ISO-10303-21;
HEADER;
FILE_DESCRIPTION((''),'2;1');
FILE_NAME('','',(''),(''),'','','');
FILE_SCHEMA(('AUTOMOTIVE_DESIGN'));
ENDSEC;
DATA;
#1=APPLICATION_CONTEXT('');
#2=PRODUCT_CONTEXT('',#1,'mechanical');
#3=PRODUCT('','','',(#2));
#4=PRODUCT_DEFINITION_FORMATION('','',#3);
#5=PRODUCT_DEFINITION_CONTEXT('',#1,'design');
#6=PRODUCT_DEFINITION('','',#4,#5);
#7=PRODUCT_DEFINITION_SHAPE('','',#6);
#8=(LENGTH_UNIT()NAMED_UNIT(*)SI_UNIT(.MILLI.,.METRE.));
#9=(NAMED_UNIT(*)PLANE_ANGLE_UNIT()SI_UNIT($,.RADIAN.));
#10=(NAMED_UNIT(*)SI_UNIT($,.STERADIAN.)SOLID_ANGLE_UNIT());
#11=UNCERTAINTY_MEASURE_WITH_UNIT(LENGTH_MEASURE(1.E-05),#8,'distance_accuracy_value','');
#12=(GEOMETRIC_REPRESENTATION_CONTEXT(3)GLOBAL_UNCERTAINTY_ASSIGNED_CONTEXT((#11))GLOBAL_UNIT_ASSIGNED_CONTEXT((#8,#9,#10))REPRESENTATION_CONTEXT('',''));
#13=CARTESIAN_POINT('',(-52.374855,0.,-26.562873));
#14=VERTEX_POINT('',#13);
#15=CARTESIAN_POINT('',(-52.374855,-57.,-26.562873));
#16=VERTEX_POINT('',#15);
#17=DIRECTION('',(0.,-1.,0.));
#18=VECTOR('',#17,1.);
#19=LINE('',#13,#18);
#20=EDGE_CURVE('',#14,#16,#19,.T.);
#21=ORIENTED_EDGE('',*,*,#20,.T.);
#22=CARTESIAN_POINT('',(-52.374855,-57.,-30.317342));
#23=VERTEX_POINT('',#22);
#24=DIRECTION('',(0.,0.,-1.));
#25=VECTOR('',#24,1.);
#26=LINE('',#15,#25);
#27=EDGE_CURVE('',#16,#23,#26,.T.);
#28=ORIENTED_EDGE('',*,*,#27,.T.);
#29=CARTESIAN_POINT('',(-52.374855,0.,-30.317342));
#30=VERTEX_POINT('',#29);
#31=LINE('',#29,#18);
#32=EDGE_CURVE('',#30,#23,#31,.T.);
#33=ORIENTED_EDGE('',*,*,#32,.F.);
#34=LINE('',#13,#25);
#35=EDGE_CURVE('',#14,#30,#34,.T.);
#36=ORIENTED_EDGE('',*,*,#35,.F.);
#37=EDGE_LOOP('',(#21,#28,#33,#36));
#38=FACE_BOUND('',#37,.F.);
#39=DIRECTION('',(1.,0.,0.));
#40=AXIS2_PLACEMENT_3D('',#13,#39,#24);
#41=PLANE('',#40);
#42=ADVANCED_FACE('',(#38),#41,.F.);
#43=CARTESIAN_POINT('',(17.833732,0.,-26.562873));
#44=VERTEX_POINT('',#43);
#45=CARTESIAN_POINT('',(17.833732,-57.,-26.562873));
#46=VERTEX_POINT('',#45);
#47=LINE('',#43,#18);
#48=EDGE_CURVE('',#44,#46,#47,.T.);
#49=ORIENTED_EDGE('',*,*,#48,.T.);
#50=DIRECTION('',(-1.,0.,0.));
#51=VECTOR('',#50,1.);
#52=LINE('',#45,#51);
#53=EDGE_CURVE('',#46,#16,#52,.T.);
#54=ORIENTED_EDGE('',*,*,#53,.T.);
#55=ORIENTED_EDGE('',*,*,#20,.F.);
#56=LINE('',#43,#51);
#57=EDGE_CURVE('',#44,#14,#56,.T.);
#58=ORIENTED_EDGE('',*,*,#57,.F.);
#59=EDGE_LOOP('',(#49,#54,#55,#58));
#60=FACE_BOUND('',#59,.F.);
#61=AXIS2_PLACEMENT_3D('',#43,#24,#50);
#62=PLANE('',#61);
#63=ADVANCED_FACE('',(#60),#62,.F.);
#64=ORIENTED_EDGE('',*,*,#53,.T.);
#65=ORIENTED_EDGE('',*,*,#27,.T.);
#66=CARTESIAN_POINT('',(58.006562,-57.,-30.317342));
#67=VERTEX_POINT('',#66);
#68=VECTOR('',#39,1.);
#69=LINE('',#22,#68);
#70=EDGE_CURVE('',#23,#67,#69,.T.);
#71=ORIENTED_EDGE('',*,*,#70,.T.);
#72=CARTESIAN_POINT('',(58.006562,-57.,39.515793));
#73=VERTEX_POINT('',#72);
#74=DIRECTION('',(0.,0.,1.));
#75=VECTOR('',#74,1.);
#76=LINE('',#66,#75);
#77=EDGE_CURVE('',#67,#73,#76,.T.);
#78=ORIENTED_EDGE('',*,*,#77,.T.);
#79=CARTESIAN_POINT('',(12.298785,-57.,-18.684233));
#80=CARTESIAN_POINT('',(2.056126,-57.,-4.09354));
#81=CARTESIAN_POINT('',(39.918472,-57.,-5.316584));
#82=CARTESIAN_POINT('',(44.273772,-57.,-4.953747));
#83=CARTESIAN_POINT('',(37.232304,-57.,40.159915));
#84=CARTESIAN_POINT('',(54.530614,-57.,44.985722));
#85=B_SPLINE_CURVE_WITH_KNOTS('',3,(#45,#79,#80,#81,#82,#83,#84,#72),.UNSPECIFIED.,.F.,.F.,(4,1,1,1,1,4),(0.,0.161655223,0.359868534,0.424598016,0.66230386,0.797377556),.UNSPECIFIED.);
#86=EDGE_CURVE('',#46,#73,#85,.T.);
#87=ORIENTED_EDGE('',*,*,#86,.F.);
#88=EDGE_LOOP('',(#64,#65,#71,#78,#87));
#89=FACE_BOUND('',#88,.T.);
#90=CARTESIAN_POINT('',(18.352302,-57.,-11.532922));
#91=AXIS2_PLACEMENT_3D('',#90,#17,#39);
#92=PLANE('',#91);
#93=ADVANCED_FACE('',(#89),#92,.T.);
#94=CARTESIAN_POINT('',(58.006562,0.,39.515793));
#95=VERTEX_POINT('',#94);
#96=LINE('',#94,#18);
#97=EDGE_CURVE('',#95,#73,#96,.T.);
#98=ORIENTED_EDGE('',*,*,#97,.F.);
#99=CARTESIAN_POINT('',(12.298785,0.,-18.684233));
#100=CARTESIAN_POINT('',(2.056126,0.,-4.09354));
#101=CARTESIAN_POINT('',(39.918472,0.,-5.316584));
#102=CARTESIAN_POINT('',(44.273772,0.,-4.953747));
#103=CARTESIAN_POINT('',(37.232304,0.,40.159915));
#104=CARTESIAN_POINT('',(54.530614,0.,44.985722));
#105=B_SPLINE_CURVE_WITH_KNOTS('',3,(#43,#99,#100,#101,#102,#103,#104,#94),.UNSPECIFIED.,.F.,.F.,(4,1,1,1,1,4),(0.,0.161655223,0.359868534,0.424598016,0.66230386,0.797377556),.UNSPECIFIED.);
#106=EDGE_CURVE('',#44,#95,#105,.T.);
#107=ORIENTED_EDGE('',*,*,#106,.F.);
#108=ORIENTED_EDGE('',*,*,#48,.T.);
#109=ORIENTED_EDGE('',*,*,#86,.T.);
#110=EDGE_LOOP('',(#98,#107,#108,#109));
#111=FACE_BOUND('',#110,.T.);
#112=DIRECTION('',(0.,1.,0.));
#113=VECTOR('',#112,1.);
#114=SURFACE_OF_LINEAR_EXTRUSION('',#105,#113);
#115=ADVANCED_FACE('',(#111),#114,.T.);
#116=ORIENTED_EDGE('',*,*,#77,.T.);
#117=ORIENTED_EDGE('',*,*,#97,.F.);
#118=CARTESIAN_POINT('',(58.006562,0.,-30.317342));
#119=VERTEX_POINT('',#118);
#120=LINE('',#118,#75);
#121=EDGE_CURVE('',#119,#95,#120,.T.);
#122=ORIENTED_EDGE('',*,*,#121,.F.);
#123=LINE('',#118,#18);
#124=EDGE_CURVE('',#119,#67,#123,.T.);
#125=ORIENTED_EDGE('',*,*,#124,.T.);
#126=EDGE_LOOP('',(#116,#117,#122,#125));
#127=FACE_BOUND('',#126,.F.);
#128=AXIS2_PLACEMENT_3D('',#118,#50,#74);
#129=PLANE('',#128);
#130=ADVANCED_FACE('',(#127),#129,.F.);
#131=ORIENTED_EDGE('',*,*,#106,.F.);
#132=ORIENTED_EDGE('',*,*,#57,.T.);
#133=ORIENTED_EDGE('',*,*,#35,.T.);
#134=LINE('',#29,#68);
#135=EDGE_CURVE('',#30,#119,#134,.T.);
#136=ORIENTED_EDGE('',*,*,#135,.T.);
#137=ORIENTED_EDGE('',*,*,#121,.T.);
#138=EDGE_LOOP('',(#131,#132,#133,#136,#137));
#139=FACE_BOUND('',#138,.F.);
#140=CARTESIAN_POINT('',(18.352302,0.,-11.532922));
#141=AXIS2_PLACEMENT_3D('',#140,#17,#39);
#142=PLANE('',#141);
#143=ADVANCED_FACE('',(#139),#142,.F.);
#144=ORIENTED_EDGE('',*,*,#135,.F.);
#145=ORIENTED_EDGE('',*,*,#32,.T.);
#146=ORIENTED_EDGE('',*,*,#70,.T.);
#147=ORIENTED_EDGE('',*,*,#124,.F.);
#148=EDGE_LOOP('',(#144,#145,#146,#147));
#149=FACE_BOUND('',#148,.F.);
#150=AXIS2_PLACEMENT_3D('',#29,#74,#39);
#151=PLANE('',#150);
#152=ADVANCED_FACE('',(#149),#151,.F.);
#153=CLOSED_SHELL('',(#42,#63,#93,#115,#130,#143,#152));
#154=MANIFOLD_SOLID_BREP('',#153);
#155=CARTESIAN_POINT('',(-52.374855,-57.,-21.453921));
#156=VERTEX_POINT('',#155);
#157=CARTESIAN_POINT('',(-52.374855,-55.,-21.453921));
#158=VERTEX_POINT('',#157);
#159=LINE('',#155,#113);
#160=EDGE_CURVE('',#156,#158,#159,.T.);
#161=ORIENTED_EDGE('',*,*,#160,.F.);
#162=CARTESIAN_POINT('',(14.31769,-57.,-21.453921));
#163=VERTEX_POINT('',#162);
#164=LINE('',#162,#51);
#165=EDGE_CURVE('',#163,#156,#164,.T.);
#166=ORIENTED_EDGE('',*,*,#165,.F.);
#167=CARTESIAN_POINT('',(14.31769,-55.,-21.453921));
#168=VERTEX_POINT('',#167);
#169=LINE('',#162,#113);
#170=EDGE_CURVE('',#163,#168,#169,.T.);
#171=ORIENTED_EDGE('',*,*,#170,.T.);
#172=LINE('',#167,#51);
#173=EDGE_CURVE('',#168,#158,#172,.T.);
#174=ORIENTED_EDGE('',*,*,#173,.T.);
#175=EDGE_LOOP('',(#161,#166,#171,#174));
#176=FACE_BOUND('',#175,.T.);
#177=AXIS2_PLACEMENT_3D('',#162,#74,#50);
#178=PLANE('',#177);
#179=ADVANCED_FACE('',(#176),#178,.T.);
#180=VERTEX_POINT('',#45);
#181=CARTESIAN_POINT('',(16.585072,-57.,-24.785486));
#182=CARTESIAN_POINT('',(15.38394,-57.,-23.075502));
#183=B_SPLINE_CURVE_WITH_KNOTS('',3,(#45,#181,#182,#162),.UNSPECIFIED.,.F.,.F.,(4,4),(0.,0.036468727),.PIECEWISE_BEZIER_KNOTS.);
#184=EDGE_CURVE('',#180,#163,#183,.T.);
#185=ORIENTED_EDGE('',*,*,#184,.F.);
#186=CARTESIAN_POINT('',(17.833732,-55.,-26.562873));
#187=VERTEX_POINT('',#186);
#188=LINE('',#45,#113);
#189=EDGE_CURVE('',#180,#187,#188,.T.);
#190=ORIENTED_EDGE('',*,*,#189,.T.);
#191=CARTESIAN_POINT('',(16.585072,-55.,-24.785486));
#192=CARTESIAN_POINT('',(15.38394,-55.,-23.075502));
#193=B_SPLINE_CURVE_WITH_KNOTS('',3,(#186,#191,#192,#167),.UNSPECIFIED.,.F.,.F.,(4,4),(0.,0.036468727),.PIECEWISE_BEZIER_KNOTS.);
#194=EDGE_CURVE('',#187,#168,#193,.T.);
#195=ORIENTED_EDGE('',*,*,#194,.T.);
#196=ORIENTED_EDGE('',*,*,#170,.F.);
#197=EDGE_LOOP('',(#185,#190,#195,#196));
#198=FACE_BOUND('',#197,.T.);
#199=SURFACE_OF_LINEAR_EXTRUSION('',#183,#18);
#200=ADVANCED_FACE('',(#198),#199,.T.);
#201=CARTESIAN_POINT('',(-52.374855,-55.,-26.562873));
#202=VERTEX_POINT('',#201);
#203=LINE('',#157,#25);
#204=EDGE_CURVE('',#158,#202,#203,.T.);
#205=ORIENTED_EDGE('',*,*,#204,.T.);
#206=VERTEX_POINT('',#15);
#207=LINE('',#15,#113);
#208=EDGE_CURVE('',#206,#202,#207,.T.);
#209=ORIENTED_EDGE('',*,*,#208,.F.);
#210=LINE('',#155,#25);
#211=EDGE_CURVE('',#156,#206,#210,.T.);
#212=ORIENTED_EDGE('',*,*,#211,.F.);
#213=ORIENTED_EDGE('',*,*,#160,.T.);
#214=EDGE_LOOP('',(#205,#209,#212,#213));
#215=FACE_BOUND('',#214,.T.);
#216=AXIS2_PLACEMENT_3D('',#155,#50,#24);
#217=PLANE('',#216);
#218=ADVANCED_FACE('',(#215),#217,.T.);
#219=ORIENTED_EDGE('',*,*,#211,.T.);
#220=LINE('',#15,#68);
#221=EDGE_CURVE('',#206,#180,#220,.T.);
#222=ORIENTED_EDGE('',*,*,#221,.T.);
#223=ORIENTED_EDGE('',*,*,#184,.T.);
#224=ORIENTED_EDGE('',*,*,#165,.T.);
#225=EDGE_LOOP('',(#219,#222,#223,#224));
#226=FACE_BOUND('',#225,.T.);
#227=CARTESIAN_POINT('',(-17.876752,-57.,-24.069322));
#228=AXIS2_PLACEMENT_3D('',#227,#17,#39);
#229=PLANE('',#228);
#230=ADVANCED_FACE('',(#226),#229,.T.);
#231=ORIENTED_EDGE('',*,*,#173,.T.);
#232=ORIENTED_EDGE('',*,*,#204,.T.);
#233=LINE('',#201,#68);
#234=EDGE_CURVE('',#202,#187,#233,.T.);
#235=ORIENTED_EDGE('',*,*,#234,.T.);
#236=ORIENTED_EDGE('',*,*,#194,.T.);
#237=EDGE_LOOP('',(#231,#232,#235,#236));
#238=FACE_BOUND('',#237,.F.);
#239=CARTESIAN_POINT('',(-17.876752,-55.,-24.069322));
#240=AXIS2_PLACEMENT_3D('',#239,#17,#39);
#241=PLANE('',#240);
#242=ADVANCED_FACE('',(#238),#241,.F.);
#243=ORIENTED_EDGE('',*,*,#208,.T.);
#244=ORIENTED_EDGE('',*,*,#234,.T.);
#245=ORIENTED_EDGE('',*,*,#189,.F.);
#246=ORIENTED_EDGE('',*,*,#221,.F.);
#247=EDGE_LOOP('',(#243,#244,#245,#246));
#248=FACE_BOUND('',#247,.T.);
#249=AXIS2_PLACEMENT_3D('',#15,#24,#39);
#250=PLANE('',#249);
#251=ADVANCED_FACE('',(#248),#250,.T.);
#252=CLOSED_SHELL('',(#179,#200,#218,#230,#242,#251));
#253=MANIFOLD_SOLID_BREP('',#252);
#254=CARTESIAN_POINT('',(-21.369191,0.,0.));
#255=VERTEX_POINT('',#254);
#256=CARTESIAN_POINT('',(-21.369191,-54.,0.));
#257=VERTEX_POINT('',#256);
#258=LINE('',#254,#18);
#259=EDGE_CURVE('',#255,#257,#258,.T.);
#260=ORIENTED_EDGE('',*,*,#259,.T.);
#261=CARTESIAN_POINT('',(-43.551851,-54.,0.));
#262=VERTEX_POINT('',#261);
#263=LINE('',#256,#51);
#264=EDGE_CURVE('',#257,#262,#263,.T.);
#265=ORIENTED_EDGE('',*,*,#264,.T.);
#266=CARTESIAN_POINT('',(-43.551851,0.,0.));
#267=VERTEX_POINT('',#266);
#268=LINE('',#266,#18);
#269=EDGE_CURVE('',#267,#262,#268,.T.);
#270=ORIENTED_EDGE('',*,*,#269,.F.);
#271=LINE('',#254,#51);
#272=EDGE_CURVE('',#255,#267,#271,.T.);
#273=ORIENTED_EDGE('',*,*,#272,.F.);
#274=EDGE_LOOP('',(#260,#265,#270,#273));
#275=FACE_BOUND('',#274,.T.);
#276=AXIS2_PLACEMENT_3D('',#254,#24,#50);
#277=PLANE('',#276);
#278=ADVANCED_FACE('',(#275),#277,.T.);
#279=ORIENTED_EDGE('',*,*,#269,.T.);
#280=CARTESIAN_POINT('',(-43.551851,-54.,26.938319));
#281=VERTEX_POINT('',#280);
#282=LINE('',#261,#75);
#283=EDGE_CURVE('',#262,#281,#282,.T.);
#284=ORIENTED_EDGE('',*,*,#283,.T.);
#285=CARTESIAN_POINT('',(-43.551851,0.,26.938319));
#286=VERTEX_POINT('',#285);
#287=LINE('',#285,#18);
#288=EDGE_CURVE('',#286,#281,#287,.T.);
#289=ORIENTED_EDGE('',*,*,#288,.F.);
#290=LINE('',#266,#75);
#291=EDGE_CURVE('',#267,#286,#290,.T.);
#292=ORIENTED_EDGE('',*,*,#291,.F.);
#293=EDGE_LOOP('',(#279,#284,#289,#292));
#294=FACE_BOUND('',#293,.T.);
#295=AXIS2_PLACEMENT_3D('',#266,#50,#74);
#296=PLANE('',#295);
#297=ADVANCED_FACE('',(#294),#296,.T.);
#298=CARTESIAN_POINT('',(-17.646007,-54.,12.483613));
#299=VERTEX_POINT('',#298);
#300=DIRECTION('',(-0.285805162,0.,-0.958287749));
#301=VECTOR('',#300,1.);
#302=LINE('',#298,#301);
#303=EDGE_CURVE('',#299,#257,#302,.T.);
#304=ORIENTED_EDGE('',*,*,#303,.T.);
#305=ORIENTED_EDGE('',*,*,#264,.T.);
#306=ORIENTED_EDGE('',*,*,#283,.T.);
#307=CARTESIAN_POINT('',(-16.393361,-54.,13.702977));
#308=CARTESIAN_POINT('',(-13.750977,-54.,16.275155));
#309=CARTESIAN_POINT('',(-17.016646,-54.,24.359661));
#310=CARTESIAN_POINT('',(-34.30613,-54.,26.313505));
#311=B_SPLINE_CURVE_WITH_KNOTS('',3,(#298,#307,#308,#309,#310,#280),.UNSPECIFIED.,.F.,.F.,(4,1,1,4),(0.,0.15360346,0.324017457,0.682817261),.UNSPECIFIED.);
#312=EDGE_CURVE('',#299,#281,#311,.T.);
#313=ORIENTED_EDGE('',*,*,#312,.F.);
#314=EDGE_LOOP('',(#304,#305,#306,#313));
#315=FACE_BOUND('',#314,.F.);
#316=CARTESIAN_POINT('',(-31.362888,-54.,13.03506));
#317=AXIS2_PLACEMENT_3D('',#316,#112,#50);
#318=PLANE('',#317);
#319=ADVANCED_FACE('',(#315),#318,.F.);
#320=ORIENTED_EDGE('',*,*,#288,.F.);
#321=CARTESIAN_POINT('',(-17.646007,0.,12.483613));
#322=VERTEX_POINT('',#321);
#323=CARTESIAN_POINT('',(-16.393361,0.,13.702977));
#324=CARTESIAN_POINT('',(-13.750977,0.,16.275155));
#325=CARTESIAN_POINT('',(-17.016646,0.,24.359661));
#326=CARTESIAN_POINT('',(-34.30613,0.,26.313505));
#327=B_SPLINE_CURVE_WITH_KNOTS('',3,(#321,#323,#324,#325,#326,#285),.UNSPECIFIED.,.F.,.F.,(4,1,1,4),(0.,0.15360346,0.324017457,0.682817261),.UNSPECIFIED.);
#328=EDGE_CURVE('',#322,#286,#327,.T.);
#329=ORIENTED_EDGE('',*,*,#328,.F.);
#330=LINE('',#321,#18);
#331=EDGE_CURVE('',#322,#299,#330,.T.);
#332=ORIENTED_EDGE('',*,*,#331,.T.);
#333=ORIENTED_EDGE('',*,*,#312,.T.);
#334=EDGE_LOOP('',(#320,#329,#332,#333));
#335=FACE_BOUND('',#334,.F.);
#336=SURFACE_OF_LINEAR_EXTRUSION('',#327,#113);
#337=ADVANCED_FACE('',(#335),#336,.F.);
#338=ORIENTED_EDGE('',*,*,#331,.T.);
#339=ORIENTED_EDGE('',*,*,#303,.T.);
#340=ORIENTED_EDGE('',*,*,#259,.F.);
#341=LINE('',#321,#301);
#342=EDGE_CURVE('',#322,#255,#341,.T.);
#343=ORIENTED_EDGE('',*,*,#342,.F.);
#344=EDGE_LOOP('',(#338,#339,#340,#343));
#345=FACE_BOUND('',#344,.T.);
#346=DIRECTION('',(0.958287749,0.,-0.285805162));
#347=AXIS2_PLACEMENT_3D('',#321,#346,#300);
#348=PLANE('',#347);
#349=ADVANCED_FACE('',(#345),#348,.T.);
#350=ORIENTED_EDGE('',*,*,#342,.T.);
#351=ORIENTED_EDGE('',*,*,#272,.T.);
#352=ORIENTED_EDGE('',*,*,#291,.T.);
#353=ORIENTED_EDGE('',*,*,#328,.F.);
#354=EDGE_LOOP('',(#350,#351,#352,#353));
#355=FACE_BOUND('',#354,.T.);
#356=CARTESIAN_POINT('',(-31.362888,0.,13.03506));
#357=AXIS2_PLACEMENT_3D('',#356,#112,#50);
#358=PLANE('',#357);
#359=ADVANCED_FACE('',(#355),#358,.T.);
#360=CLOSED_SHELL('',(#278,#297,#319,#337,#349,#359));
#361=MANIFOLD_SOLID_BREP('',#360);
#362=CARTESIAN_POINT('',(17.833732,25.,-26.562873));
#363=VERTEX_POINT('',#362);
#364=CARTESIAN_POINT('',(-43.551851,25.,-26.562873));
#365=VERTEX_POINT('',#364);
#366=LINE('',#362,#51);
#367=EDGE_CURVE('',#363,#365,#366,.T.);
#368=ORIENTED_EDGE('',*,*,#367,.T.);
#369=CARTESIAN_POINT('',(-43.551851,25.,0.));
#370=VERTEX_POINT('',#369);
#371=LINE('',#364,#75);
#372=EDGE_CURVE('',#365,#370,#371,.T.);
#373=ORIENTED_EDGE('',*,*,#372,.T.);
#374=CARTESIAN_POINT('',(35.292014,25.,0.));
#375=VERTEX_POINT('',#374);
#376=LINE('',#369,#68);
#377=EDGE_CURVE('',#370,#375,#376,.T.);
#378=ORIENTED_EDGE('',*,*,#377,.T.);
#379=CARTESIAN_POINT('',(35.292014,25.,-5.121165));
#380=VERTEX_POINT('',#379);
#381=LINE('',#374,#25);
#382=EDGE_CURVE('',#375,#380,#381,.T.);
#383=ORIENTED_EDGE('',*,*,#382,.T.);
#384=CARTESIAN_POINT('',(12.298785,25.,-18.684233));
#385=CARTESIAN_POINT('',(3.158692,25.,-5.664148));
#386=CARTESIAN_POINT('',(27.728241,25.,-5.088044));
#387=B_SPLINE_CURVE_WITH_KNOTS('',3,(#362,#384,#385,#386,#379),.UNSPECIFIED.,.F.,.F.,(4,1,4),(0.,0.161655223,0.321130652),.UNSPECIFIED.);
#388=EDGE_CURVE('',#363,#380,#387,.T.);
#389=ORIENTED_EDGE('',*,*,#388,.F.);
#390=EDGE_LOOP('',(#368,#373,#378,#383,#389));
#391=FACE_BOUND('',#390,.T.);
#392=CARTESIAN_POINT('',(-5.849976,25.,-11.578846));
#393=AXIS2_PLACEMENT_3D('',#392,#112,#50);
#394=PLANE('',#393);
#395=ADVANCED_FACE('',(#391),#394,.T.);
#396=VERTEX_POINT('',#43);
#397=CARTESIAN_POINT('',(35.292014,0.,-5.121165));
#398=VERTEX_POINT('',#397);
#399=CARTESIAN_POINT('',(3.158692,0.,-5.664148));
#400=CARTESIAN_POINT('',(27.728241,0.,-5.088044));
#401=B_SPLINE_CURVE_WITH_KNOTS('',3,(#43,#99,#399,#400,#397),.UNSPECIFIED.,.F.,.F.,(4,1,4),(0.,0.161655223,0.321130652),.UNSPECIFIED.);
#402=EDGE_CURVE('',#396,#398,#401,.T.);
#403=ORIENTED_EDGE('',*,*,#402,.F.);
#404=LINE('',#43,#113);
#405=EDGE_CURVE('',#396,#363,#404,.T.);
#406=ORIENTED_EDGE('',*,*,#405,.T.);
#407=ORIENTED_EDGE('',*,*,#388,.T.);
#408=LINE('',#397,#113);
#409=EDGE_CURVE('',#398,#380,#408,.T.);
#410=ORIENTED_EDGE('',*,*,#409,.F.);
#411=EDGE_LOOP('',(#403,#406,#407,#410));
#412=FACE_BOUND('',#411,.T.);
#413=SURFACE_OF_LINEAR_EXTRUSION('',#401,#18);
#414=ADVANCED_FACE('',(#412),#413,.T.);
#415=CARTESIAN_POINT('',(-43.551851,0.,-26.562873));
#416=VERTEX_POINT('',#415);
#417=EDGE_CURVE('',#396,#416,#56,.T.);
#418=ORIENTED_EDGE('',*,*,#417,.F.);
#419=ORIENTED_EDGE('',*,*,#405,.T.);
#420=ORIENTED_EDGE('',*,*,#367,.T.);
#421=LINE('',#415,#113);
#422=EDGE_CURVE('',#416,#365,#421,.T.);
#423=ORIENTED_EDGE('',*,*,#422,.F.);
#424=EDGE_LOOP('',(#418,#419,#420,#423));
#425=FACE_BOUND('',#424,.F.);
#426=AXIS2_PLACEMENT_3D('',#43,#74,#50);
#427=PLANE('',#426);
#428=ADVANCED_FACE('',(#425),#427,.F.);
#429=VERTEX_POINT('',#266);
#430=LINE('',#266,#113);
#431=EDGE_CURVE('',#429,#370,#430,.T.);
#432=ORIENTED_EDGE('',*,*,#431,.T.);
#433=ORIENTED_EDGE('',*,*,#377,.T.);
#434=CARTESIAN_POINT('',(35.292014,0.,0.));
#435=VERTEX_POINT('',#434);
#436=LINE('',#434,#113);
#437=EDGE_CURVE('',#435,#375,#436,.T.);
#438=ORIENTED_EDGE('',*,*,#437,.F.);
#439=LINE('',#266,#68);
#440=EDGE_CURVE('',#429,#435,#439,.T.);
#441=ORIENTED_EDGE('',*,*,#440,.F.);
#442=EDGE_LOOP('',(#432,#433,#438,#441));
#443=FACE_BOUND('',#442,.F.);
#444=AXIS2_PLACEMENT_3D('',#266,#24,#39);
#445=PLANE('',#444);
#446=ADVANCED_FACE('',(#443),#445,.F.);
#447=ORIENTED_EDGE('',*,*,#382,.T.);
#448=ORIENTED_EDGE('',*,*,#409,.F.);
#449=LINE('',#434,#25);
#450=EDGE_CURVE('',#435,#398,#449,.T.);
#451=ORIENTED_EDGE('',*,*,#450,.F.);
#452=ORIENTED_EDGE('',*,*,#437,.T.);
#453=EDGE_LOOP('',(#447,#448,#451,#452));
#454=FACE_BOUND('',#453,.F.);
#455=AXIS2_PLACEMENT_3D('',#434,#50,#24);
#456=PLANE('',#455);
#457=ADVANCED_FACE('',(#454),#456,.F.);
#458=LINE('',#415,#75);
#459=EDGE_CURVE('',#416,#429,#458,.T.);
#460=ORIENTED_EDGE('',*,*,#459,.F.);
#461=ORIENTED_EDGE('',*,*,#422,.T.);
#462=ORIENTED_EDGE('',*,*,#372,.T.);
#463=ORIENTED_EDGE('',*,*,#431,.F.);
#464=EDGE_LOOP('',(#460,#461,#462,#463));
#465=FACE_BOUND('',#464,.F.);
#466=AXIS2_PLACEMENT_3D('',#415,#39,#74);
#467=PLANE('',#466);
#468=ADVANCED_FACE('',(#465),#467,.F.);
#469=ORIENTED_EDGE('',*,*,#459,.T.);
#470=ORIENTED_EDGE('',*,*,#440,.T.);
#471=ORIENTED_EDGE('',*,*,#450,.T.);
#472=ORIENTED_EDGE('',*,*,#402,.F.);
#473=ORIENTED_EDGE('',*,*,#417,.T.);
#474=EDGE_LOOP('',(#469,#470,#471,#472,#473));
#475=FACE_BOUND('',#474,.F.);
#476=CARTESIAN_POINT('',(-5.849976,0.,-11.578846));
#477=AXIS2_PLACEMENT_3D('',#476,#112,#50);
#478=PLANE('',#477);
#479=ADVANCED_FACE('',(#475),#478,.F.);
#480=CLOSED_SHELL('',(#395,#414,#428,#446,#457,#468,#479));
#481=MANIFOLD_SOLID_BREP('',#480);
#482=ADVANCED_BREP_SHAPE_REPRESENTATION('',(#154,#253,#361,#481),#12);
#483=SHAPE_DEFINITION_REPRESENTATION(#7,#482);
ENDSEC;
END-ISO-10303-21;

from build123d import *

# Parameters (mm, degrees)
F1_DEPTH = 57
F3_DEPTH = 25
F4_DEPTH = 54
F6_DEPTH = 2


with BuildPart() as f1:
    # F0 (on Front) → F1 (new body)
    with BuildSketch(Plane.XZ):
        with BuildLine():
            Line((-52.3748546839, -26.5628732741), (-52.3748546839, -30.3173419088))
            Line((-52.3748546839, -30.3173419088), (58.0065622926, -30.3173419088))
            Line((58.0065622926, -30.3173419088), (58.0065622926, 9.8554827273))
            Line((58.0065622926, 9.8554827273), (58.0065622926, 39.5157933235))
            add(Edge.make_bspline(
                [(17.8337320685, -26.5628732741), (12.2987850228, -18.6842330707), (2.0561256493, -4.0935398057), (39.9184715576, -5.3165841483), (44.2737718214, -4.953746865), (37.2323042761, 40.1599145958), (54.5306136351, 44.9857218694), (58.0065622926, 39.5157933235)],
                knots=[0, 0, 0, 0, 0.1616552234, 0.3598685336, 0.4245980156, 0.6623038598, 0.7973775563, 0.7973775563, 0.7973775563, 0.7973775563], degree=3))
            Line((17.8337320685, -26.5628732741), (-52.3748546839, -26.5628732741))
        make_face()
    extrude(amount=F1_DEPTH)


with BuildPart() as f3:
    # F2 (on face) → F3 (new body)
    with BuildSketch(Plane(origin=(0, 0, 0), x_dir=(-1, 0, 0), z_dir=(0, 1, 0))):
        with BuildLine():
            Line((-35.2920144796, 0), (-35.2920144796, -5.1211647892))
            add(Edge.make_bspline(
                [(-17.8337320685, -26.5628732741), (-12.2987850228, -18.6842330707), (-3.158691971, -5.6641482207), (-27.7282411082, -5.0880441426), (-35.2920144796, -5.1211647892)],
                knots=[0, 0, 0, 0, 0.1616552234, 0.321130652, 0.321130652, 0.321130652, 0.321130652], degree=3))
            Line((-17.8337320685, -26.5628732741), (43.551851064, -26.5628732741))
            Line((43.551851064, -26.5628732741), (43.551851064, 0))
            Line((43.551851064, 0), (21.3691905319, 0))
            Line((21.3691905319, 0), (-35.2920144796, 0))
        make_face()
    extrude(amount=F3_DEPTH)


with BuildPart() as f4:
    # F2 (on face) → F4 (new body)
    with BuildSketch(Plane(origin=(0, 0, 0), x_dir=(-1, 0, 0), z_dir=(0, 1, 0))):
        with BuildLine():
            Line((17.6460072398, 12.4836126342), (21.3691905319, 0))
            Line((21.3691905319, 0), (43.551851064, 0))
            Line((43.551851064, 0), (43.551851064, 26.9383192062))
            add(Edge.make_bspline(
                [(17.6460072398, 12.4836126342), (16.3933606924, 13.7029773667), (13.7509765364, 16.2751554931), (17.0166456197, 24.3596606637), (34.3061298742, 26.3135049454), (43.551851064, 26.9383192062)],
                knots=[0, 0, 0, 0, 0.1536034597, 0.3240174566, 0.6828172606, 0.6828172606, 0.6828172606, 0.6828172606], degree=3))
        make_face()
    extrude(amount=-F4_DEPTH)


with BuildPart() as f6:
    # F5 (on face) → F6 (new body)
    with BuildSketch(Plane.XZ.offset(57)):
        with BuildLine():
            Line((-52.3748546839, -21.4539207518), (-52.3748546839, -26.5628732741))
            Line((-52.3748546839, -26.5628732741), (17.8337320685, -26.5628732741))
            add(Edge.make_bspline(
                [(17.8337320685, -26.5628732741), (16.5850717017, -24.7854857606), (15.3839396707, -23.0755019333), (14.317689771, -21.4539207518)],
                knots=[0, 0, 0, 0, 0.0364687266, 0.0364687266, 0.0364687266, 0.0364687266], degree=3))
            Line((14.317689771, -21.4539207518), (-52.3748546839, -21.4539207518))
        make_face()
    extrude(amount=-F6_DEPTH)


solid = Compound([f1.part, f3.part, f4.part, f6.part])
